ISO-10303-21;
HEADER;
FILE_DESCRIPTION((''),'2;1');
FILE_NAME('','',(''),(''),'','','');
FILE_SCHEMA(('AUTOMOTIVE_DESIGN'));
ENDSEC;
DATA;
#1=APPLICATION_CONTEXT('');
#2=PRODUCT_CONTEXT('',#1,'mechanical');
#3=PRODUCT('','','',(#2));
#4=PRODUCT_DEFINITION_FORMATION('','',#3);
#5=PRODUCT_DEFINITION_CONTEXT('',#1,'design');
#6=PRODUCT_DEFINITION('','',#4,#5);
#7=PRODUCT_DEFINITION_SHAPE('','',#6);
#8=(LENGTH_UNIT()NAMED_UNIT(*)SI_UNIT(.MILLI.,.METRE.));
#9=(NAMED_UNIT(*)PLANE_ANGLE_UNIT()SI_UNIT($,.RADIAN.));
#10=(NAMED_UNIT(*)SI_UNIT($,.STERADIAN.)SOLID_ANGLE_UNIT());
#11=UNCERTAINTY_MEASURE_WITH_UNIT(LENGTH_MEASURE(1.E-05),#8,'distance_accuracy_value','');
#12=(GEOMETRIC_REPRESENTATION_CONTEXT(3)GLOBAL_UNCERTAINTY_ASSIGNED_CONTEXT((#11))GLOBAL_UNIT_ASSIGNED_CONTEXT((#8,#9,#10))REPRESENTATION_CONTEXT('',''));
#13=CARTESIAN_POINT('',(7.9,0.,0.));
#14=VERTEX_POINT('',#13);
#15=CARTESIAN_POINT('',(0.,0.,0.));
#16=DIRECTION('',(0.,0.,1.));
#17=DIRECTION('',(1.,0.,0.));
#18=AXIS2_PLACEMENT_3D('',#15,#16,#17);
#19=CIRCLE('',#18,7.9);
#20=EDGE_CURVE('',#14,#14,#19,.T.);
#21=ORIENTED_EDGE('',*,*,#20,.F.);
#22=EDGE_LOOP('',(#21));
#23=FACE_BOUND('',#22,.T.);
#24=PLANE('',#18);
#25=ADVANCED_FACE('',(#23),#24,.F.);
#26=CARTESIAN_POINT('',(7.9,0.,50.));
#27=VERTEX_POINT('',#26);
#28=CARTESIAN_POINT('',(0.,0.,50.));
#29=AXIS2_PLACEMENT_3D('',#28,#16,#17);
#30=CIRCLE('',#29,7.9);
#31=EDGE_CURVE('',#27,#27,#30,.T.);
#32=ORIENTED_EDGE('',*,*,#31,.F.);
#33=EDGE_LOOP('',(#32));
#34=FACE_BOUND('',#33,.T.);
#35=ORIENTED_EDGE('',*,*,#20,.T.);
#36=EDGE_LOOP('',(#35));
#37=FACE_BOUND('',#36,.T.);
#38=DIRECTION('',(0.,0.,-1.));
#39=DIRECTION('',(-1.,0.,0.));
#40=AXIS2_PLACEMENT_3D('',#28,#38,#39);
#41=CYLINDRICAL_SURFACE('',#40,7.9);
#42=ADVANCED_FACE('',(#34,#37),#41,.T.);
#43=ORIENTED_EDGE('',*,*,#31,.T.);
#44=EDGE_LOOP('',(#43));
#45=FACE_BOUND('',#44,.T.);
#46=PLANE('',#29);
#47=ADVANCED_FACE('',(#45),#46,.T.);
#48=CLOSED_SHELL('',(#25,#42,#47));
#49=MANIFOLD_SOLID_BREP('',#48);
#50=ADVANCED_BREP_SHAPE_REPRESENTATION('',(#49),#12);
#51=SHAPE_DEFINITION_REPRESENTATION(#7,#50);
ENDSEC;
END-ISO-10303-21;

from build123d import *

# Parameters (mm, degrees)
SKETCH1_R           = 7.9
BOSS_EXTRUDE1_DEPTH = 50


with BuildPart() as part:
    # Sketch1 → Boss-Extrude1 (new body)
    with BuildSketch(Plane.XY):
        Circle(SKETCH1_R)
    extrude(amount=BOSS_EXTRUDE1_DEPTH)


solid = part.part
